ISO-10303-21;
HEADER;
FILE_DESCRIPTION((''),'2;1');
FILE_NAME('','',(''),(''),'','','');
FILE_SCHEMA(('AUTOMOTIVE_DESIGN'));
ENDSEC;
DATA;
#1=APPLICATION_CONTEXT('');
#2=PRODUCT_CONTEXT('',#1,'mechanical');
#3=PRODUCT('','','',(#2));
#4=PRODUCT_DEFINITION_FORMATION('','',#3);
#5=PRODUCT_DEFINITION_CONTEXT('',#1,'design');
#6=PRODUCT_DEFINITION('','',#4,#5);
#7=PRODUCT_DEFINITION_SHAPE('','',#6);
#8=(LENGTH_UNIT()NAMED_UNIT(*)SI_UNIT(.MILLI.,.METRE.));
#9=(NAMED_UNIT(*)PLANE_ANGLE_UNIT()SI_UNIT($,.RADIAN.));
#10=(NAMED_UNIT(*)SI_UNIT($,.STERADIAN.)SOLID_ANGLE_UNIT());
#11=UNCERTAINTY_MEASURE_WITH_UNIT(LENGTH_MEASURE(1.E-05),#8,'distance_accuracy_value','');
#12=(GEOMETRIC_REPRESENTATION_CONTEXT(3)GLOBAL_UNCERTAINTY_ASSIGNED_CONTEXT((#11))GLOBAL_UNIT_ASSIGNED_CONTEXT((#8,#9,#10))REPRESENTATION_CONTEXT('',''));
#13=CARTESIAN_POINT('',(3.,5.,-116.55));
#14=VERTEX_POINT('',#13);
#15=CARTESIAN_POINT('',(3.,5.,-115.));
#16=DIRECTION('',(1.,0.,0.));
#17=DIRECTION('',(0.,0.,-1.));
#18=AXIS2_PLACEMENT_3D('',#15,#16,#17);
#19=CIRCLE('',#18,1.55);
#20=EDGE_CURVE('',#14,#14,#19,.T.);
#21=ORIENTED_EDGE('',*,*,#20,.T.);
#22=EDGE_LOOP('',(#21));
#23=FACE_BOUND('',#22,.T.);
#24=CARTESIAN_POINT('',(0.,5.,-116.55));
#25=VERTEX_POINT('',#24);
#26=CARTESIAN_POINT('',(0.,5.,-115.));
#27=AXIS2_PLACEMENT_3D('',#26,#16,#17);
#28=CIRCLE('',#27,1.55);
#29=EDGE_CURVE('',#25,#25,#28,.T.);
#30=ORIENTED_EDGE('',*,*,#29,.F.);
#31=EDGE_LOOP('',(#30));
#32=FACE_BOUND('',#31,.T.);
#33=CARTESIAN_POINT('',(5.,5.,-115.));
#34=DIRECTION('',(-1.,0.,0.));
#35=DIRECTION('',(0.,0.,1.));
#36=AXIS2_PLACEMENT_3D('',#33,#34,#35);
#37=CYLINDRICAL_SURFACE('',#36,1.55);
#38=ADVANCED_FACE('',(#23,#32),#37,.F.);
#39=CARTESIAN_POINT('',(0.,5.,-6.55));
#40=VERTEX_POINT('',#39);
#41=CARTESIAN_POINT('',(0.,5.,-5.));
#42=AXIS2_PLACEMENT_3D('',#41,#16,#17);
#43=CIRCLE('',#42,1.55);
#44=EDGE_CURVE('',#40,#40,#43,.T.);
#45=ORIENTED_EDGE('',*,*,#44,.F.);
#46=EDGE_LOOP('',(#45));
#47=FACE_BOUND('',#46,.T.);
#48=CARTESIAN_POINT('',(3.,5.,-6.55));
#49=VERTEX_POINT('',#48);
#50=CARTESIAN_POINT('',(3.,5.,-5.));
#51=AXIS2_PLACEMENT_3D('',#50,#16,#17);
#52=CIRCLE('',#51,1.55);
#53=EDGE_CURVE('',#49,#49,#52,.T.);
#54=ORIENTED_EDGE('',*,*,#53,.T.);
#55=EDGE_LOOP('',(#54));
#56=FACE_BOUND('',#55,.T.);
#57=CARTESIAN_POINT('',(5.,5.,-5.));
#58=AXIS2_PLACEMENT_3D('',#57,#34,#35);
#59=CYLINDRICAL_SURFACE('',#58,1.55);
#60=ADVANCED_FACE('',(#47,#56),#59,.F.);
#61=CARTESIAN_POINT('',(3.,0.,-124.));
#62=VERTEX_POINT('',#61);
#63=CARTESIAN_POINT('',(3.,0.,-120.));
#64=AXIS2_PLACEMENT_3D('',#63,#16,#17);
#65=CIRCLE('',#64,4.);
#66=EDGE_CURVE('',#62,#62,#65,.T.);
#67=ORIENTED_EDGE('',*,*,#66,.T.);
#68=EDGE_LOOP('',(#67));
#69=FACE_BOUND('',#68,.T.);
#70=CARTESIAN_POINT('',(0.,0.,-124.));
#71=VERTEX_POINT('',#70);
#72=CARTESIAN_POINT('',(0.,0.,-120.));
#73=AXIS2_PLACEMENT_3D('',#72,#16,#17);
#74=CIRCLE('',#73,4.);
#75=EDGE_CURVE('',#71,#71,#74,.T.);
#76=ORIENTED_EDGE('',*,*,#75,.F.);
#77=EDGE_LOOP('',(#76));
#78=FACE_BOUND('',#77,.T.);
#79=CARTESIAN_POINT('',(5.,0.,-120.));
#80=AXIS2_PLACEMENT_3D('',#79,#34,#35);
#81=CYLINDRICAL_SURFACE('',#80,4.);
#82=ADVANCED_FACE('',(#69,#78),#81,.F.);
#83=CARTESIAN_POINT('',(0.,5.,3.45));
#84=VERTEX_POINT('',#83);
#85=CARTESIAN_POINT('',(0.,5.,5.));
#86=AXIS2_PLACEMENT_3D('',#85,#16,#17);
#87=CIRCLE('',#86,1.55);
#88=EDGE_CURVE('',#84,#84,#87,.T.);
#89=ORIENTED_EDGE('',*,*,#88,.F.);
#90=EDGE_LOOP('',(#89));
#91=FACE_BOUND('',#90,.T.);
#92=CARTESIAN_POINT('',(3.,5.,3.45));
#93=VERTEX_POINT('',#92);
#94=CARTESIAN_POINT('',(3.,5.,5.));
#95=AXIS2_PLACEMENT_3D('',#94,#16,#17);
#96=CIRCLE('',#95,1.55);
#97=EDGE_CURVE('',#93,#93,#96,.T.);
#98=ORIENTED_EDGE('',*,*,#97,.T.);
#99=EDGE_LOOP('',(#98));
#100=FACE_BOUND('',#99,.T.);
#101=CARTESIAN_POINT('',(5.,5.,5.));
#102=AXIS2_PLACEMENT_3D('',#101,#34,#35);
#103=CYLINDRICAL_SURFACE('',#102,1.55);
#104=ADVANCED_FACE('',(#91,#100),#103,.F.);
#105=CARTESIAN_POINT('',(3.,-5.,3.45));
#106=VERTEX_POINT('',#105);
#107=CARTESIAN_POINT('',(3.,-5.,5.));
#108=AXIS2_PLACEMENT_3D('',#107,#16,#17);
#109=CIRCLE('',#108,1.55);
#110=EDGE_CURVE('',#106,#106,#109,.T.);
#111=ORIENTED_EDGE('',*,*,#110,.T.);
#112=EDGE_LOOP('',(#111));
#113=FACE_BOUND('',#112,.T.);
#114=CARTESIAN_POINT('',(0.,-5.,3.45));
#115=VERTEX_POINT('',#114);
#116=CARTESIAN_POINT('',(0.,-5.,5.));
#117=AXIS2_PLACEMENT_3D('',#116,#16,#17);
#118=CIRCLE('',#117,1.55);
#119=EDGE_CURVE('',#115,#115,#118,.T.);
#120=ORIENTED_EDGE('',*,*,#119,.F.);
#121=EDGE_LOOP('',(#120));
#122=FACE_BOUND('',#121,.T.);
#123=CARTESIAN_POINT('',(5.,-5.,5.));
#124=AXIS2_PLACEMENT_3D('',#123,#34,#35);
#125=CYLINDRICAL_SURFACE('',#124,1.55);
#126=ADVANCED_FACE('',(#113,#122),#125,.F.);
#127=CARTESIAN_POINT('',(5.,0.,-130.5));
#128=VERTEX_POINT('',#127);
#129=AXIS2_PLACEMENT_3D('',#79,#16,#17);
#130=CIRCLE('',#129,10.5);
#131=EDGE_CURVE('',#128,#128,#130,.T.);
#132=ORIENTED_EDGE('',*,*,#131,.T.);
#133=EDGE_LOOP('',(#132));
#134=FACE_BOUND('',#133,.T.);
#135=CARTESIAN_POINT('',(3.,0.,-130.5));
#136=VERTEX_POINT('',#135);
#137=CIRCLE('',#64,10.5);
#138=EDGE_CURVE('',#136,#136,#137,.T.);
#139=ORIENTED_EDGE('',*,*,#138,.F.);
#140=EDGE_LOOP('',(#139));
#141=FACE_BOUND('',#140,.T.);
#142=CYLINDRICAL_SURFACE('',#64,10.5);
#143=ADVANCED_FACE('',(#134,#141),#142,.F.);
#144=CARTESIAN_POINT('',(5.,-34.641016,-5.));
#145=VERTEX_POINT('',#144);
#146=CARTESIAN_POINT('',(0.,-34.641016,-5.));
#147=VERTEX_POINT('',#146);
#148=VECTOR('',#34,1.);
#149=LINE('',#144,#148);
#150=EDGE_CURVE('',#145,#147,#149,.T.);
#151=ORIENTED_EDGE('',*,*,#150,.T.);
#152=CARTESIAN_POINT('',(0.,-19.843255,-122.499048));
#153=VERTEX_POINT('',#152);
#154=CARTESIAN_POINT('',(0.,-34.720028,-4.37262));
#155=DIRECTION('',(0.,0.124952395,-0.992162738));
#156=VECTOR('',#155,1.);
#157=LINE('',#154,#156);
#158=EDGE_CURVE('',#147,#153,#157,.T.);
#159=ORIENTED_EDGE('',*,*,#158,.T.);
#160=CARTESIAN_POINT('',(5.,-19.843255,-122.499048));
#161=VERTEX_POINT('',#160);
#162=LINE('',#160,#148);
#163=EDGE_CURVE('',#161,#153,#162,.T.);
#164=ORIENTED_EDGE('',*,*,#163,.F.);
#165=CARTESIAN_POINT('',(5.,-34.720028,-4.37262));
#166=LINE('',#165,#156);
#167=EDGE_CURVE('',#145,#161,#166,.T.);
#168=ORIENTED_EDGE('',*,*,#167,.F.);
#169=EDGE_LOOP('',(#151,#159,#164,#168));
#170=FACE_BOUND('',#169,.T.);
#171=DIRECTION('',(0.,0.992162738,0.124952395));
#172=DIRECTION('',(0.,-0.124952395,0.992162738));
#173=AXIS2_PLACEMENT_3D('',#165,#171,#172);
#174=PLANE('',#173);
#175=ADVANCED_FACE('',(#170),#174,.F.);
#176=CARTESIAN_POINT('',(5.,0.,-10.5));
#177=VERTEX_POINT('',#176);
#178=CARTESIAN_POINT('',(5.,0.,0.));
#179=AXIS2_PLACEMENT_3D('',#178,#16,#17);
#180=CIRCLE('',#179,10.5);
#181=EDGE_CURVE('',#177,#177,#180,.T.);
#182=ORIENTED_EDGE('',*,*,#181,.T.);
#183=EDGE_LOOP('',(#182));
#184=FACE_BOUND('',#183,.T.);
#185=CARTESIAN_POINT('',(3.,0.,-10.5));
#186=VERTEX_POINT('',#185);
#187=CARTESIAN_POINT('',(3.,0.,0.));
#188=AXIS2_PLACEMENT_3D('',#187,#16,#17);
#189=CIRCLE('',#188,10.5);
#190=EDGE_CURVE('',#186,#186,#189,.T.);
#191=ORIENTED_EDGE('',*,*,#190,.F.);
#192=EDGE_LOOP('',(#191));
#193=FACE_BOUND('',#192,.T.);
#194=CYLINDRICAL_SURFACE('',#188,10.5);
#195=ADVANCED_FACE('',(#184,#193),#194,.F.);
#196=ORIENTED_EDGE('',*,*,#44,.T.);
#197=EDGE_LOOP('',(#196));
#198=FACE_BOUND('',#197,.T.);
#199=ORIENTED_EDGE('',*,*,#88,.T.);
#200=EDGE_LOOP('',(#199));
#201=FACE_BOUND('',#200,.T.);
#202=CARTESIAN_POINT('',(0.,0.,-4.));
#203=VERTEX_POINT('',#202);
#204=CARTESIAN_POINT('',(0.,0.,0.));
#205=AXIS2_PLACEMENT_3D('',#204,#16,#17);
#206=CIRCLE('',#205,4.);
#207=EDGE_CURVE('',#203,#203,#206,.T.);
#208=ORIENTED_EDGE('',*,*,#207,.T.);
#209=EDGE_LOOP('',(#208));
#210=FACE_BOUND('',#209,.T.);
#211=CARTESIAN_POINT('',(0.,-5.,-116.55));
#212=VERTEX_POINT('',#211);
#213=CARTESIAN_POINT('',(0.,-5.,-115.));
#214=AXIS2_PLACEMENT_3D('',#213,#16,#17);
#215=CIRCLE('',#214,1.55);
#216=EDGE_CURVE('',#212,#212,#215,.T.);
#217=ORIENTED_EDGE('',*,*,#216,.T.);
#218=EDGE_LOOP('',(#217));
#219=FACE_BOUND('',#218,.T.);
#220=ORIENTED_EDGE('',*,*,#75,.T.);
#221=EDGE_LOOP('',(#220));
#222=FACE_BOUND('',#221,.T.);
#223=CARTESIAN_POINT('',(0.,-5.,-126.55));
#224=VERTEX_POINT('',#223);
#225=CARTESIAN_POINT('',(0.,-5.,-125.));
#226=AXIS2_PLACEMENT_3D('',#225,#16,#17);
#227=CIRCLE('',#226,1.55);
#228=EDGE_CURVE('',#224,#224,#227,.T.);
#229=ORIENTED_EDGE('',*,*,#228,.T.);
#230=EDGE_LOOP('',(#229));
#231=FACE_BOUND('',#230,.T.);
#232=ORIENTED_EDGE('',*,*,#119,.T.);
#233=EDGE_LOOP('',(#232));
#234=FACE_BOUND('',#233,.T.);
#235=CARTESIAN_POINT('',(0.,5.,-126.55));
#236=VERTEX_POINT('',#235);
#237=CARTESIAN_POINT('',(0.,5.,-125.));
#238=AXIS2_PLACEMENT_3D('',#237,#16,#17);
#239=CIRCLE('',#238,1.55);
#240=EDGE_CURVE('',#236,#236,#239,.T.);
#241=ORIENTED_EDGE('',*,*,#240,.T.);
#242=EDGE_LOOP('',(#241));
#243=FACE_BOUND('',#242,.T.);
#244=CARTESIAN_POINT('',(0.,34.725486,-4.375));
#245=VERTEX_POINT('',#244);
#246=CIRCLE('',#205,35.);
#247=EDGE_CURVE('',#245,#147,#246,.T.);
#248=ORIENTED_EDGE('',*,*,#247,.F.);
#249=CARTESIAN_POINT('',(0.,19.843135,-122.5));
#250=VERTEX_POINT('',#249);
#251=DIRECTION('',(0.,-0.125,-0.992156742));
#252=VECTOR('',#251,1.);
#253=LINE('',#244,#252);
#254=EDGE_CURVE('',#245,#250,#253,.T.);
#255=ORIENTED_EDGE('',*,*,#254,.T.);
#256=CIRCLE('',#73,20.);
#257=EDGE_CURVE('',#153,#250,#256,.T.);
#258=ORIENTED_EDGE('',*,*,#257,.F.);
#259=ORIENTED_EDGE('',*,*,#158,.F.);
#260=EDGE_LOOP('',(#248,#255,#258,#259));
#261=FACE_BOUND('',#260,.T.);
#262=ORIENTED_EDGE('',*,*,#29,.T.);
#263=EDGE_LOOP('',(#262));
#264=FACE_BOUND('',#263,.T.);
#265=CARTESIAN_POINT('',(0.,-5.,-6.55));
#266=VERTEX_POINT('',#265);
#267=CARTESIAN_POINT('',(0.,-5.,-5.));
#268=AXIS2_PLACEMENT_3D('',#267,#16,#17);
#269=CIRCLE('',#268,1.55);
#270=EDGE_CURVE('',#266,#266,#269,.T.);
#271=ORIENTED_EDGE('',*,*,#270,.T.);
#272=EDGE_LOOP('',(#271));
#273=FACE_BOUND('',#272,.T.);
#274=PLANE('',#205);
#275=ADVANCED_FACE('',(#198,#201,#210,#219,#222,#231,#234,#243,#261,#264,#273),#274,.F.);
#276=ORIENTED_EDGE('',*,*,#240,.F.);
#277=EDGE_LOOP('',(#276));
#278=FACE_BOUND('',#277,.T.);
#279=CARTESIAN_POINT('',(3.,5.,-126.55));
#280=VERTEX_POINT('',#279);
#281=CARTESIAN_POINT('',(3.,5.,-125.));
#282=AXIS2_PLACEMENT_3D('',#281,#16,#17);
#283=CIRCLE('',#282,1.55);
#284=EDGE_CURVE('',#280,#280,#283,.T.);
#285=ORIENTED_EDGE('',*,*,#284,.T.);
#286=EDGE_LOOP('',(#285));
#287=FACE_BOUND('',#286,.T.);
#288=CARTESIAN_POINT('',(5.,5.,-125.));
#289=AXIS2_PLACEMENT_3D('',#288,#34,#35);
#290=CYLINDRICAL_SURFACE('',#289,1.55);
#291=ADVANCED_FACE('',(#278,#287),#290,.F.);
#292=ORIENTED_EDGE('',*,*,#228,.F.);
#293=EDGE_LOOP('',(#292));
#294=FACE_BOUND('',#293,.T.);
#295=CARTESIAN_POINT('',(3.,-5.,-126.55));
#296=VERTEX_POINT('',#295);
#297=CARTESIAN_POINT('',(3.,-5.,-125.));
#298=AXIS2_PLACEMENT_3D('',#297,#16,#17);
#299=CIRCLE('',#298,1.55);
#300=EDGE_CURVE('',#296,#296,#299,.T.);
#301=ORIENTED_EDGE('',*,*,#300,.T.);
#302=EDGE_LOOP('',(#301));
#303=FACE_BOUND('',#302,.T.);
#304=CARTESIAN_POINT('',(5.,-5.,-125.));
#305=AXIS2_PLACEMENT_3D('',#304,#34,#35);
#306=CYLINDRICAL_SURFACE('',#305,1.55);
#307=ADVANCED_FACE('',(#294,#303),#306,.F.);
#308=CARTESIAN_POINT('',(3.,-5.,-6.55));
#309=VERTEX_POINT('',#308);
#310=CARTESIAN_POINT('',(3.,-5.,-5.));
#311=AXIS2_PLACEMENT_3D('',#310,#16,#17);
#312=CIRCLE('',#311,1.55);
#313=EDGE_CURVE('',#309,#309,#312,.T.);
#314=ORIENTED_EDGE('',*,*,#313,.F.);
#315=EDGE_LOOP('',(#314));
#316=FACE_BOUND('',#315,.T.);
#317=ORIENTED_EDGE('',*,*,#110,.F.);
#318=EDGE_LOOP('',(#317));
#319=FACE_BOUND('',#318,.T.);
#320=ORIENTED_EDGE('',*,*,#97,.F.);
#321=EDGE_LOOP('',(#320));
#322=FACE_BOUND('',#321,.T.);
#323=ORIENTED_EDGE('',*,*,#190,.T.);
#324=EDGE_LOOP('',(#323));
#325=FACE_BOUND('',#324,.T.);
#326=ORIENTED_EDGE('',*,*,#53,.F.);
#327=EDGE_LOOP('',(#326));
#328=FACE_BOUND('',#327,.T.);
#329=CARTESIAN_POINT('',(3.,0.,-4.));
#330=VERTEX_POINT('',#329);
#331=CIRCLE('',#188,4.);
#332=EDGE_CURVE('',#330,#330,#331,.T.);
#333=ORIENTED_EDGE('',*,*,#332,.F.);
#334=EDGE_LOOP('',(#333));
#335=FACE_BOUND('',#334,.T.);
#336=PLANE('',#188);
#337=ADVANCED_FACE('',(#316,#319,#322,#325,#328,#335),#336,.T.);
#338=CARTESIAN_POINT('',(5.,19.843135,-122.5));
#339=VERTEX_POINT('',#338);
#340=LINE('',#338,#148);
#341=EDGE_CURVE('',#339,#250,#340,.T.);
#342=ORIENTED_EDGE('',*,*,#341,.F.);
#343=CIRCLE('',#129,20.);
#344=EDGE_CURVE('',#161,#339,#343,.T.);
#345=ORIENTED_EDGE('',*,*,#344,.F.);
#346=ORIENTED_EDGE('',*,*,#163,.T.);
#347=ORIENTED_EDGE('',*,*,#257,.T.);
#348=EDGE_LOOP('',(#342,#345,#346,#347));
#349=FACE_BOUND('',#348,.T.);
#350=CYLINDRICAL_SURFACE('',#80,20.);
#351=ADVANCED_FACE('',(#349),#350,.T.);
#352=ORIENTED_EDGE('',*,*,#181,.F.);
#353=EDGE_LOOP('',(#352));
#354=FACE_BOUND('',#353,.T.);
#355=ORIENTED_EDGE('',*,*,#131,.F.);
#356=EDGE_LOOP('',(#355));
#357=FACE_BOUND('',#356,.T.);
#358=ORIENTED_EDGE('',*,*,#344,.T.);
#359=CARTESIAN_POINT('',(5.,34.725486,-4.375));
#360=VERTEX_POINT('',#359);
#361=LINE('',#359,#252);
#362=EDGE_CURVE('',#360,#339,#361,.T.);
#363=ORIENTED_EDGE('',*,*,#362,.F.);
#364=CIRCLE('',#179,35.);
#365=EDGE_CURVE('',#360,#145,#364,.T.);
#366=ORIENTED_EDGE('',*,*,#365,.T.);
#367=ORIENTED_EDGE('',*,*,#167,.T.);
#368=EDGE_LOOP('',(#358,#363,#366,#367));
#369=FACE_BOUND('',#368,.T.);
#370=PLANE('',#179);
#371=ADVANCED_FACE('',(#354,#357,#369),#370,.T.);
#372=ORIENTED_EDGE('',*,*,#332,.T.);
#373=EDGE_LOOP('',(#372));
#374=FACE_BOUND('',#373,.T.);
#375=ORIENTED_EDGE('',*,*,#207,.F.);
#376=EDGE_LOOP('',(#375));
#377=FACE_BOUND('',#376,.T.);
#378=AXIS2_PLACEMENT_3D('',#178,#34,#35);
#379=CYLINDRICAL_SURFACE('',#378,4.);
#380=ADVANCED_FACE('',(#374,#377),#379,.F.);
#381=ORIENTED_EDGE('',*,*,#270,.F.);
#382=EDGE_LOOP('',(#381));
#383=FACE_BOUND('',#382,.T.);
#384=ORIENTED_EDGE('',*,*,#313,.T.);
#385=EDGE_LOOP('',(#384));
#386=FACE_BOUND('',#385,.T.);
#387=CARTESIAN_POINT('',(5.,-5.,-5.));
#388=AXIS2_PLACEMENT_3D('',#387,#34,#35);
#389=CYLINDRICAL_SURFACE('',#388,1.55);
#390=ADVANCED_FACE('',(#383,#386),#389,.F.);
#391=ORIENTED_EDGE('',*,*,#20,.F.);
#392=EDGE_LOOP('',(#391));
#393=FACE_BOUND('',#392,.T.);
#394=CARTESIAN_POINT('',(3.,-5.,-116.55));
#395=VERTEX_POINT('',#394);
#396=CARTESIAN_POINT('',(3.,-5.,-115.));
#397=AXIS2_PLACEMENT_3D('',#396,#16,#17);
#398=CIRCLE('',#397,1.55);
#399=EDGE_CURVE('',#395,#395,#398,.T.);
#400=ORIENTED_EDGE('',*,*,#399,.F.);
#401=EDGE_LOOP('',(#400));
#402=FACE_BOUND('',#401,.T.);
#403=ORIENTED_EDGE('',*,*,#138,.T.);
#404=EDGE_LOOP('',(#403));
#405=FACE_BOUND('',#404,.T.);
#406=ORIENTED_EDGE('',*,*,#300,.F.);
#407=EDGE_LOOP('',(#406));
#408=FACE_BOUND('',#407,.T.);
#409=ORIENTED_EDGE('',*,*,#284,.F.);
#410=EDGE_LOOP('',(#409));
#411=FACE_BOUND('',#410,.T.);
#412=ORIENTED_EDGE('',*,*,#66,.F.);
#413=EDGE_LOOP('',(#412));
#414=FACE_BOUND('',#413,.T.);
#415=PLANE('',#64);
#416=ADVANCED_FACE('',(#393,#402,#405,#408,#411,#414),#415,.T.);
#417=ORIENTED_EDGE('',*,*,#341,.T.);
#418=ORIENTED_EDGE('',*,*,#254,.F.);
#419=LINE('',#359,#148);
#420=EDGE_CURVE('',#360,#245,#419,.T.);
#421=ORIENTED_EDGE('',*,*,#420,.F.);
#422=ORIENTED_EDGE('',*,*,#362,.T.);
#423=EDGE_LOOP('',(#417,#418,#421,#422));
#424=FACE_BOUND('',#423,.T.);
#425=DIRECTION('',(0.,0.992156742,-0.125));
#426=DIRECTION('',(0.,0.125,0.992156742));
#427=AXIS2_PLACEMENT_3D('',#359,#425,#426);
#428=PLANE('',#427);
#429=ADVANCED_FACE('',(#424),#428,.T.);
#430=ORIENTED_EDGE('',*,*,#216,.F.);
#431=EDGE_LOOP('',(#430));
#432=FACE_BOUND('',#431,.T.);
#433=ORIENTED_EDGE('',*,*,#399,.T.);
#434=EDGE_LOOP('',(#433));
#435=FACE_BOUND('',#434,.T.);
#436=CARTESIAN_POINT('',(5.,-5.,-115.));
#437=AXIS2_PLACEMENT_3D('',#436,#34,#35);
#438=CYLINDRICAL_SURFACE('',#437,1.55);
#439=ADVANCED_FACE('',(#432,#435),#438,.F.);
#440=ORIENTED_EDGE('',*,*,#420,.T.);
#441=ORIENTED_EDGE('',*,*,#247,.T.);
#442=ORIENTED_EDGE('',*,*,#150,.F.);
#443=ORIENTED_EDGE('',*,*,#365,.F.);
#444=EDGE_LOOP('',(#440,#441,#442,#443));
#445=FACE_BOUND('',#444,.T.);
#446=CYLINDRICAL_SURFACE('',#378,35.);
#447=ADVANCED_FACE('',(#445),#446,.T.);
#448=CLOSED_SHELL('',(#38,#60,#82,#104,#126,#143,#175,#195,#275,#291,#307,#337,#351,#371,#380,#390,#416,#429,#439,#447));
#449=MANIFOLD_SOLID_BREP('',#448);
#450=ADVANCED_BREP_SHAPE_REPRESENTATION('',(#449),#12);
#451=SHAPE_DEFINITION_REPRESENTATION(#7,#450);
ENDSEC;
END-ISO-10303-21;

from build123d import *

# Parameters (mm, degrees)
SKETCH_1_R          = 1.55
SKETCH_1_R_2        = 4
EXTRUDE_3_DEPTH     = 5
SKETCH_3_R          = 10.5
CUT_EXTRUDE_2_DEPTH = 2


with BuildPart() as part:
    # 草图1 → 凸台-拉伸3 (new body)
    with BuildSketch(Plane(origin=(0, 0, 0), x_dir=(0, 0, -1), z_dir=(1, 0, 0))):
        with BuildLine():
            Line((122.5, 19.843134833), (4.375, 34.725485958))
            ThreePointArc((4.375, 34.725485958), (-34.998579399, -0.315341144), (5, -34.641016151))
            Line((5, -34.641016151), (122.499047902, -19.843254763))
            ThreePointArc((122.499047902, -19.843254763), (139.999999994, -0.000479811), (122.5, 19.843134833))
        make_face()
        with Locations((-5, -5)):
            Circle(SKETCH_1_R, mode=Mode.SUBTRACT)
        with Locations((5, -5)):
            Circle(SKETCH_1_R, mode=Mode.SUBTRACT)
        with Locations((-5, 5)):
            Circle(SKETCH_1_R, mode=Mode.SUBTRACT)
        Circle(SKETCH_1_R_2, mode=Mode.SUBTRACT)
        with Locations((5, 5)):
            Circle(SKETCH_1_R, mode=Mode.SUBTRACT)
        with Locations((115, -5)):
            Circle(SKETCH_1_R, mode=Mode.SUBTRACT)
        with Locations((125, -5)):
            Circle(SKETCH_1_R, mode=Mode.SUBTRACT)
        with Locations((125, 5)):
            Circle(SKETCH_1_R, mode=Mode.SUBTRACT)
        with Locations((115, 5)):
            Circle(SKETCH_1_R, mode=Mode.SUBTRACT)
        with Locations((120, 0)):
            Circle(SKETCH_1_R_2, mode=Mode.SUBTRACT)
    extrude(amount=EXTRUDE_3_DEPTH)

    # 草图3 → 切除-拉伸2 (cut)
    with BuildSketch(Plane(origin=(5, 0, 0), x_dir=(0, 0, -1), z_dir=(1, 0, 0))):
        Circle(SKETCH_3_R)
        with Locations((120, 0)):
            Circle(SKETCH_3_R)
    extrude(amount=-CUT_EXTRUDE_2_DEPTH, mode=Mode.SUBTRACT)


solid = part.part
